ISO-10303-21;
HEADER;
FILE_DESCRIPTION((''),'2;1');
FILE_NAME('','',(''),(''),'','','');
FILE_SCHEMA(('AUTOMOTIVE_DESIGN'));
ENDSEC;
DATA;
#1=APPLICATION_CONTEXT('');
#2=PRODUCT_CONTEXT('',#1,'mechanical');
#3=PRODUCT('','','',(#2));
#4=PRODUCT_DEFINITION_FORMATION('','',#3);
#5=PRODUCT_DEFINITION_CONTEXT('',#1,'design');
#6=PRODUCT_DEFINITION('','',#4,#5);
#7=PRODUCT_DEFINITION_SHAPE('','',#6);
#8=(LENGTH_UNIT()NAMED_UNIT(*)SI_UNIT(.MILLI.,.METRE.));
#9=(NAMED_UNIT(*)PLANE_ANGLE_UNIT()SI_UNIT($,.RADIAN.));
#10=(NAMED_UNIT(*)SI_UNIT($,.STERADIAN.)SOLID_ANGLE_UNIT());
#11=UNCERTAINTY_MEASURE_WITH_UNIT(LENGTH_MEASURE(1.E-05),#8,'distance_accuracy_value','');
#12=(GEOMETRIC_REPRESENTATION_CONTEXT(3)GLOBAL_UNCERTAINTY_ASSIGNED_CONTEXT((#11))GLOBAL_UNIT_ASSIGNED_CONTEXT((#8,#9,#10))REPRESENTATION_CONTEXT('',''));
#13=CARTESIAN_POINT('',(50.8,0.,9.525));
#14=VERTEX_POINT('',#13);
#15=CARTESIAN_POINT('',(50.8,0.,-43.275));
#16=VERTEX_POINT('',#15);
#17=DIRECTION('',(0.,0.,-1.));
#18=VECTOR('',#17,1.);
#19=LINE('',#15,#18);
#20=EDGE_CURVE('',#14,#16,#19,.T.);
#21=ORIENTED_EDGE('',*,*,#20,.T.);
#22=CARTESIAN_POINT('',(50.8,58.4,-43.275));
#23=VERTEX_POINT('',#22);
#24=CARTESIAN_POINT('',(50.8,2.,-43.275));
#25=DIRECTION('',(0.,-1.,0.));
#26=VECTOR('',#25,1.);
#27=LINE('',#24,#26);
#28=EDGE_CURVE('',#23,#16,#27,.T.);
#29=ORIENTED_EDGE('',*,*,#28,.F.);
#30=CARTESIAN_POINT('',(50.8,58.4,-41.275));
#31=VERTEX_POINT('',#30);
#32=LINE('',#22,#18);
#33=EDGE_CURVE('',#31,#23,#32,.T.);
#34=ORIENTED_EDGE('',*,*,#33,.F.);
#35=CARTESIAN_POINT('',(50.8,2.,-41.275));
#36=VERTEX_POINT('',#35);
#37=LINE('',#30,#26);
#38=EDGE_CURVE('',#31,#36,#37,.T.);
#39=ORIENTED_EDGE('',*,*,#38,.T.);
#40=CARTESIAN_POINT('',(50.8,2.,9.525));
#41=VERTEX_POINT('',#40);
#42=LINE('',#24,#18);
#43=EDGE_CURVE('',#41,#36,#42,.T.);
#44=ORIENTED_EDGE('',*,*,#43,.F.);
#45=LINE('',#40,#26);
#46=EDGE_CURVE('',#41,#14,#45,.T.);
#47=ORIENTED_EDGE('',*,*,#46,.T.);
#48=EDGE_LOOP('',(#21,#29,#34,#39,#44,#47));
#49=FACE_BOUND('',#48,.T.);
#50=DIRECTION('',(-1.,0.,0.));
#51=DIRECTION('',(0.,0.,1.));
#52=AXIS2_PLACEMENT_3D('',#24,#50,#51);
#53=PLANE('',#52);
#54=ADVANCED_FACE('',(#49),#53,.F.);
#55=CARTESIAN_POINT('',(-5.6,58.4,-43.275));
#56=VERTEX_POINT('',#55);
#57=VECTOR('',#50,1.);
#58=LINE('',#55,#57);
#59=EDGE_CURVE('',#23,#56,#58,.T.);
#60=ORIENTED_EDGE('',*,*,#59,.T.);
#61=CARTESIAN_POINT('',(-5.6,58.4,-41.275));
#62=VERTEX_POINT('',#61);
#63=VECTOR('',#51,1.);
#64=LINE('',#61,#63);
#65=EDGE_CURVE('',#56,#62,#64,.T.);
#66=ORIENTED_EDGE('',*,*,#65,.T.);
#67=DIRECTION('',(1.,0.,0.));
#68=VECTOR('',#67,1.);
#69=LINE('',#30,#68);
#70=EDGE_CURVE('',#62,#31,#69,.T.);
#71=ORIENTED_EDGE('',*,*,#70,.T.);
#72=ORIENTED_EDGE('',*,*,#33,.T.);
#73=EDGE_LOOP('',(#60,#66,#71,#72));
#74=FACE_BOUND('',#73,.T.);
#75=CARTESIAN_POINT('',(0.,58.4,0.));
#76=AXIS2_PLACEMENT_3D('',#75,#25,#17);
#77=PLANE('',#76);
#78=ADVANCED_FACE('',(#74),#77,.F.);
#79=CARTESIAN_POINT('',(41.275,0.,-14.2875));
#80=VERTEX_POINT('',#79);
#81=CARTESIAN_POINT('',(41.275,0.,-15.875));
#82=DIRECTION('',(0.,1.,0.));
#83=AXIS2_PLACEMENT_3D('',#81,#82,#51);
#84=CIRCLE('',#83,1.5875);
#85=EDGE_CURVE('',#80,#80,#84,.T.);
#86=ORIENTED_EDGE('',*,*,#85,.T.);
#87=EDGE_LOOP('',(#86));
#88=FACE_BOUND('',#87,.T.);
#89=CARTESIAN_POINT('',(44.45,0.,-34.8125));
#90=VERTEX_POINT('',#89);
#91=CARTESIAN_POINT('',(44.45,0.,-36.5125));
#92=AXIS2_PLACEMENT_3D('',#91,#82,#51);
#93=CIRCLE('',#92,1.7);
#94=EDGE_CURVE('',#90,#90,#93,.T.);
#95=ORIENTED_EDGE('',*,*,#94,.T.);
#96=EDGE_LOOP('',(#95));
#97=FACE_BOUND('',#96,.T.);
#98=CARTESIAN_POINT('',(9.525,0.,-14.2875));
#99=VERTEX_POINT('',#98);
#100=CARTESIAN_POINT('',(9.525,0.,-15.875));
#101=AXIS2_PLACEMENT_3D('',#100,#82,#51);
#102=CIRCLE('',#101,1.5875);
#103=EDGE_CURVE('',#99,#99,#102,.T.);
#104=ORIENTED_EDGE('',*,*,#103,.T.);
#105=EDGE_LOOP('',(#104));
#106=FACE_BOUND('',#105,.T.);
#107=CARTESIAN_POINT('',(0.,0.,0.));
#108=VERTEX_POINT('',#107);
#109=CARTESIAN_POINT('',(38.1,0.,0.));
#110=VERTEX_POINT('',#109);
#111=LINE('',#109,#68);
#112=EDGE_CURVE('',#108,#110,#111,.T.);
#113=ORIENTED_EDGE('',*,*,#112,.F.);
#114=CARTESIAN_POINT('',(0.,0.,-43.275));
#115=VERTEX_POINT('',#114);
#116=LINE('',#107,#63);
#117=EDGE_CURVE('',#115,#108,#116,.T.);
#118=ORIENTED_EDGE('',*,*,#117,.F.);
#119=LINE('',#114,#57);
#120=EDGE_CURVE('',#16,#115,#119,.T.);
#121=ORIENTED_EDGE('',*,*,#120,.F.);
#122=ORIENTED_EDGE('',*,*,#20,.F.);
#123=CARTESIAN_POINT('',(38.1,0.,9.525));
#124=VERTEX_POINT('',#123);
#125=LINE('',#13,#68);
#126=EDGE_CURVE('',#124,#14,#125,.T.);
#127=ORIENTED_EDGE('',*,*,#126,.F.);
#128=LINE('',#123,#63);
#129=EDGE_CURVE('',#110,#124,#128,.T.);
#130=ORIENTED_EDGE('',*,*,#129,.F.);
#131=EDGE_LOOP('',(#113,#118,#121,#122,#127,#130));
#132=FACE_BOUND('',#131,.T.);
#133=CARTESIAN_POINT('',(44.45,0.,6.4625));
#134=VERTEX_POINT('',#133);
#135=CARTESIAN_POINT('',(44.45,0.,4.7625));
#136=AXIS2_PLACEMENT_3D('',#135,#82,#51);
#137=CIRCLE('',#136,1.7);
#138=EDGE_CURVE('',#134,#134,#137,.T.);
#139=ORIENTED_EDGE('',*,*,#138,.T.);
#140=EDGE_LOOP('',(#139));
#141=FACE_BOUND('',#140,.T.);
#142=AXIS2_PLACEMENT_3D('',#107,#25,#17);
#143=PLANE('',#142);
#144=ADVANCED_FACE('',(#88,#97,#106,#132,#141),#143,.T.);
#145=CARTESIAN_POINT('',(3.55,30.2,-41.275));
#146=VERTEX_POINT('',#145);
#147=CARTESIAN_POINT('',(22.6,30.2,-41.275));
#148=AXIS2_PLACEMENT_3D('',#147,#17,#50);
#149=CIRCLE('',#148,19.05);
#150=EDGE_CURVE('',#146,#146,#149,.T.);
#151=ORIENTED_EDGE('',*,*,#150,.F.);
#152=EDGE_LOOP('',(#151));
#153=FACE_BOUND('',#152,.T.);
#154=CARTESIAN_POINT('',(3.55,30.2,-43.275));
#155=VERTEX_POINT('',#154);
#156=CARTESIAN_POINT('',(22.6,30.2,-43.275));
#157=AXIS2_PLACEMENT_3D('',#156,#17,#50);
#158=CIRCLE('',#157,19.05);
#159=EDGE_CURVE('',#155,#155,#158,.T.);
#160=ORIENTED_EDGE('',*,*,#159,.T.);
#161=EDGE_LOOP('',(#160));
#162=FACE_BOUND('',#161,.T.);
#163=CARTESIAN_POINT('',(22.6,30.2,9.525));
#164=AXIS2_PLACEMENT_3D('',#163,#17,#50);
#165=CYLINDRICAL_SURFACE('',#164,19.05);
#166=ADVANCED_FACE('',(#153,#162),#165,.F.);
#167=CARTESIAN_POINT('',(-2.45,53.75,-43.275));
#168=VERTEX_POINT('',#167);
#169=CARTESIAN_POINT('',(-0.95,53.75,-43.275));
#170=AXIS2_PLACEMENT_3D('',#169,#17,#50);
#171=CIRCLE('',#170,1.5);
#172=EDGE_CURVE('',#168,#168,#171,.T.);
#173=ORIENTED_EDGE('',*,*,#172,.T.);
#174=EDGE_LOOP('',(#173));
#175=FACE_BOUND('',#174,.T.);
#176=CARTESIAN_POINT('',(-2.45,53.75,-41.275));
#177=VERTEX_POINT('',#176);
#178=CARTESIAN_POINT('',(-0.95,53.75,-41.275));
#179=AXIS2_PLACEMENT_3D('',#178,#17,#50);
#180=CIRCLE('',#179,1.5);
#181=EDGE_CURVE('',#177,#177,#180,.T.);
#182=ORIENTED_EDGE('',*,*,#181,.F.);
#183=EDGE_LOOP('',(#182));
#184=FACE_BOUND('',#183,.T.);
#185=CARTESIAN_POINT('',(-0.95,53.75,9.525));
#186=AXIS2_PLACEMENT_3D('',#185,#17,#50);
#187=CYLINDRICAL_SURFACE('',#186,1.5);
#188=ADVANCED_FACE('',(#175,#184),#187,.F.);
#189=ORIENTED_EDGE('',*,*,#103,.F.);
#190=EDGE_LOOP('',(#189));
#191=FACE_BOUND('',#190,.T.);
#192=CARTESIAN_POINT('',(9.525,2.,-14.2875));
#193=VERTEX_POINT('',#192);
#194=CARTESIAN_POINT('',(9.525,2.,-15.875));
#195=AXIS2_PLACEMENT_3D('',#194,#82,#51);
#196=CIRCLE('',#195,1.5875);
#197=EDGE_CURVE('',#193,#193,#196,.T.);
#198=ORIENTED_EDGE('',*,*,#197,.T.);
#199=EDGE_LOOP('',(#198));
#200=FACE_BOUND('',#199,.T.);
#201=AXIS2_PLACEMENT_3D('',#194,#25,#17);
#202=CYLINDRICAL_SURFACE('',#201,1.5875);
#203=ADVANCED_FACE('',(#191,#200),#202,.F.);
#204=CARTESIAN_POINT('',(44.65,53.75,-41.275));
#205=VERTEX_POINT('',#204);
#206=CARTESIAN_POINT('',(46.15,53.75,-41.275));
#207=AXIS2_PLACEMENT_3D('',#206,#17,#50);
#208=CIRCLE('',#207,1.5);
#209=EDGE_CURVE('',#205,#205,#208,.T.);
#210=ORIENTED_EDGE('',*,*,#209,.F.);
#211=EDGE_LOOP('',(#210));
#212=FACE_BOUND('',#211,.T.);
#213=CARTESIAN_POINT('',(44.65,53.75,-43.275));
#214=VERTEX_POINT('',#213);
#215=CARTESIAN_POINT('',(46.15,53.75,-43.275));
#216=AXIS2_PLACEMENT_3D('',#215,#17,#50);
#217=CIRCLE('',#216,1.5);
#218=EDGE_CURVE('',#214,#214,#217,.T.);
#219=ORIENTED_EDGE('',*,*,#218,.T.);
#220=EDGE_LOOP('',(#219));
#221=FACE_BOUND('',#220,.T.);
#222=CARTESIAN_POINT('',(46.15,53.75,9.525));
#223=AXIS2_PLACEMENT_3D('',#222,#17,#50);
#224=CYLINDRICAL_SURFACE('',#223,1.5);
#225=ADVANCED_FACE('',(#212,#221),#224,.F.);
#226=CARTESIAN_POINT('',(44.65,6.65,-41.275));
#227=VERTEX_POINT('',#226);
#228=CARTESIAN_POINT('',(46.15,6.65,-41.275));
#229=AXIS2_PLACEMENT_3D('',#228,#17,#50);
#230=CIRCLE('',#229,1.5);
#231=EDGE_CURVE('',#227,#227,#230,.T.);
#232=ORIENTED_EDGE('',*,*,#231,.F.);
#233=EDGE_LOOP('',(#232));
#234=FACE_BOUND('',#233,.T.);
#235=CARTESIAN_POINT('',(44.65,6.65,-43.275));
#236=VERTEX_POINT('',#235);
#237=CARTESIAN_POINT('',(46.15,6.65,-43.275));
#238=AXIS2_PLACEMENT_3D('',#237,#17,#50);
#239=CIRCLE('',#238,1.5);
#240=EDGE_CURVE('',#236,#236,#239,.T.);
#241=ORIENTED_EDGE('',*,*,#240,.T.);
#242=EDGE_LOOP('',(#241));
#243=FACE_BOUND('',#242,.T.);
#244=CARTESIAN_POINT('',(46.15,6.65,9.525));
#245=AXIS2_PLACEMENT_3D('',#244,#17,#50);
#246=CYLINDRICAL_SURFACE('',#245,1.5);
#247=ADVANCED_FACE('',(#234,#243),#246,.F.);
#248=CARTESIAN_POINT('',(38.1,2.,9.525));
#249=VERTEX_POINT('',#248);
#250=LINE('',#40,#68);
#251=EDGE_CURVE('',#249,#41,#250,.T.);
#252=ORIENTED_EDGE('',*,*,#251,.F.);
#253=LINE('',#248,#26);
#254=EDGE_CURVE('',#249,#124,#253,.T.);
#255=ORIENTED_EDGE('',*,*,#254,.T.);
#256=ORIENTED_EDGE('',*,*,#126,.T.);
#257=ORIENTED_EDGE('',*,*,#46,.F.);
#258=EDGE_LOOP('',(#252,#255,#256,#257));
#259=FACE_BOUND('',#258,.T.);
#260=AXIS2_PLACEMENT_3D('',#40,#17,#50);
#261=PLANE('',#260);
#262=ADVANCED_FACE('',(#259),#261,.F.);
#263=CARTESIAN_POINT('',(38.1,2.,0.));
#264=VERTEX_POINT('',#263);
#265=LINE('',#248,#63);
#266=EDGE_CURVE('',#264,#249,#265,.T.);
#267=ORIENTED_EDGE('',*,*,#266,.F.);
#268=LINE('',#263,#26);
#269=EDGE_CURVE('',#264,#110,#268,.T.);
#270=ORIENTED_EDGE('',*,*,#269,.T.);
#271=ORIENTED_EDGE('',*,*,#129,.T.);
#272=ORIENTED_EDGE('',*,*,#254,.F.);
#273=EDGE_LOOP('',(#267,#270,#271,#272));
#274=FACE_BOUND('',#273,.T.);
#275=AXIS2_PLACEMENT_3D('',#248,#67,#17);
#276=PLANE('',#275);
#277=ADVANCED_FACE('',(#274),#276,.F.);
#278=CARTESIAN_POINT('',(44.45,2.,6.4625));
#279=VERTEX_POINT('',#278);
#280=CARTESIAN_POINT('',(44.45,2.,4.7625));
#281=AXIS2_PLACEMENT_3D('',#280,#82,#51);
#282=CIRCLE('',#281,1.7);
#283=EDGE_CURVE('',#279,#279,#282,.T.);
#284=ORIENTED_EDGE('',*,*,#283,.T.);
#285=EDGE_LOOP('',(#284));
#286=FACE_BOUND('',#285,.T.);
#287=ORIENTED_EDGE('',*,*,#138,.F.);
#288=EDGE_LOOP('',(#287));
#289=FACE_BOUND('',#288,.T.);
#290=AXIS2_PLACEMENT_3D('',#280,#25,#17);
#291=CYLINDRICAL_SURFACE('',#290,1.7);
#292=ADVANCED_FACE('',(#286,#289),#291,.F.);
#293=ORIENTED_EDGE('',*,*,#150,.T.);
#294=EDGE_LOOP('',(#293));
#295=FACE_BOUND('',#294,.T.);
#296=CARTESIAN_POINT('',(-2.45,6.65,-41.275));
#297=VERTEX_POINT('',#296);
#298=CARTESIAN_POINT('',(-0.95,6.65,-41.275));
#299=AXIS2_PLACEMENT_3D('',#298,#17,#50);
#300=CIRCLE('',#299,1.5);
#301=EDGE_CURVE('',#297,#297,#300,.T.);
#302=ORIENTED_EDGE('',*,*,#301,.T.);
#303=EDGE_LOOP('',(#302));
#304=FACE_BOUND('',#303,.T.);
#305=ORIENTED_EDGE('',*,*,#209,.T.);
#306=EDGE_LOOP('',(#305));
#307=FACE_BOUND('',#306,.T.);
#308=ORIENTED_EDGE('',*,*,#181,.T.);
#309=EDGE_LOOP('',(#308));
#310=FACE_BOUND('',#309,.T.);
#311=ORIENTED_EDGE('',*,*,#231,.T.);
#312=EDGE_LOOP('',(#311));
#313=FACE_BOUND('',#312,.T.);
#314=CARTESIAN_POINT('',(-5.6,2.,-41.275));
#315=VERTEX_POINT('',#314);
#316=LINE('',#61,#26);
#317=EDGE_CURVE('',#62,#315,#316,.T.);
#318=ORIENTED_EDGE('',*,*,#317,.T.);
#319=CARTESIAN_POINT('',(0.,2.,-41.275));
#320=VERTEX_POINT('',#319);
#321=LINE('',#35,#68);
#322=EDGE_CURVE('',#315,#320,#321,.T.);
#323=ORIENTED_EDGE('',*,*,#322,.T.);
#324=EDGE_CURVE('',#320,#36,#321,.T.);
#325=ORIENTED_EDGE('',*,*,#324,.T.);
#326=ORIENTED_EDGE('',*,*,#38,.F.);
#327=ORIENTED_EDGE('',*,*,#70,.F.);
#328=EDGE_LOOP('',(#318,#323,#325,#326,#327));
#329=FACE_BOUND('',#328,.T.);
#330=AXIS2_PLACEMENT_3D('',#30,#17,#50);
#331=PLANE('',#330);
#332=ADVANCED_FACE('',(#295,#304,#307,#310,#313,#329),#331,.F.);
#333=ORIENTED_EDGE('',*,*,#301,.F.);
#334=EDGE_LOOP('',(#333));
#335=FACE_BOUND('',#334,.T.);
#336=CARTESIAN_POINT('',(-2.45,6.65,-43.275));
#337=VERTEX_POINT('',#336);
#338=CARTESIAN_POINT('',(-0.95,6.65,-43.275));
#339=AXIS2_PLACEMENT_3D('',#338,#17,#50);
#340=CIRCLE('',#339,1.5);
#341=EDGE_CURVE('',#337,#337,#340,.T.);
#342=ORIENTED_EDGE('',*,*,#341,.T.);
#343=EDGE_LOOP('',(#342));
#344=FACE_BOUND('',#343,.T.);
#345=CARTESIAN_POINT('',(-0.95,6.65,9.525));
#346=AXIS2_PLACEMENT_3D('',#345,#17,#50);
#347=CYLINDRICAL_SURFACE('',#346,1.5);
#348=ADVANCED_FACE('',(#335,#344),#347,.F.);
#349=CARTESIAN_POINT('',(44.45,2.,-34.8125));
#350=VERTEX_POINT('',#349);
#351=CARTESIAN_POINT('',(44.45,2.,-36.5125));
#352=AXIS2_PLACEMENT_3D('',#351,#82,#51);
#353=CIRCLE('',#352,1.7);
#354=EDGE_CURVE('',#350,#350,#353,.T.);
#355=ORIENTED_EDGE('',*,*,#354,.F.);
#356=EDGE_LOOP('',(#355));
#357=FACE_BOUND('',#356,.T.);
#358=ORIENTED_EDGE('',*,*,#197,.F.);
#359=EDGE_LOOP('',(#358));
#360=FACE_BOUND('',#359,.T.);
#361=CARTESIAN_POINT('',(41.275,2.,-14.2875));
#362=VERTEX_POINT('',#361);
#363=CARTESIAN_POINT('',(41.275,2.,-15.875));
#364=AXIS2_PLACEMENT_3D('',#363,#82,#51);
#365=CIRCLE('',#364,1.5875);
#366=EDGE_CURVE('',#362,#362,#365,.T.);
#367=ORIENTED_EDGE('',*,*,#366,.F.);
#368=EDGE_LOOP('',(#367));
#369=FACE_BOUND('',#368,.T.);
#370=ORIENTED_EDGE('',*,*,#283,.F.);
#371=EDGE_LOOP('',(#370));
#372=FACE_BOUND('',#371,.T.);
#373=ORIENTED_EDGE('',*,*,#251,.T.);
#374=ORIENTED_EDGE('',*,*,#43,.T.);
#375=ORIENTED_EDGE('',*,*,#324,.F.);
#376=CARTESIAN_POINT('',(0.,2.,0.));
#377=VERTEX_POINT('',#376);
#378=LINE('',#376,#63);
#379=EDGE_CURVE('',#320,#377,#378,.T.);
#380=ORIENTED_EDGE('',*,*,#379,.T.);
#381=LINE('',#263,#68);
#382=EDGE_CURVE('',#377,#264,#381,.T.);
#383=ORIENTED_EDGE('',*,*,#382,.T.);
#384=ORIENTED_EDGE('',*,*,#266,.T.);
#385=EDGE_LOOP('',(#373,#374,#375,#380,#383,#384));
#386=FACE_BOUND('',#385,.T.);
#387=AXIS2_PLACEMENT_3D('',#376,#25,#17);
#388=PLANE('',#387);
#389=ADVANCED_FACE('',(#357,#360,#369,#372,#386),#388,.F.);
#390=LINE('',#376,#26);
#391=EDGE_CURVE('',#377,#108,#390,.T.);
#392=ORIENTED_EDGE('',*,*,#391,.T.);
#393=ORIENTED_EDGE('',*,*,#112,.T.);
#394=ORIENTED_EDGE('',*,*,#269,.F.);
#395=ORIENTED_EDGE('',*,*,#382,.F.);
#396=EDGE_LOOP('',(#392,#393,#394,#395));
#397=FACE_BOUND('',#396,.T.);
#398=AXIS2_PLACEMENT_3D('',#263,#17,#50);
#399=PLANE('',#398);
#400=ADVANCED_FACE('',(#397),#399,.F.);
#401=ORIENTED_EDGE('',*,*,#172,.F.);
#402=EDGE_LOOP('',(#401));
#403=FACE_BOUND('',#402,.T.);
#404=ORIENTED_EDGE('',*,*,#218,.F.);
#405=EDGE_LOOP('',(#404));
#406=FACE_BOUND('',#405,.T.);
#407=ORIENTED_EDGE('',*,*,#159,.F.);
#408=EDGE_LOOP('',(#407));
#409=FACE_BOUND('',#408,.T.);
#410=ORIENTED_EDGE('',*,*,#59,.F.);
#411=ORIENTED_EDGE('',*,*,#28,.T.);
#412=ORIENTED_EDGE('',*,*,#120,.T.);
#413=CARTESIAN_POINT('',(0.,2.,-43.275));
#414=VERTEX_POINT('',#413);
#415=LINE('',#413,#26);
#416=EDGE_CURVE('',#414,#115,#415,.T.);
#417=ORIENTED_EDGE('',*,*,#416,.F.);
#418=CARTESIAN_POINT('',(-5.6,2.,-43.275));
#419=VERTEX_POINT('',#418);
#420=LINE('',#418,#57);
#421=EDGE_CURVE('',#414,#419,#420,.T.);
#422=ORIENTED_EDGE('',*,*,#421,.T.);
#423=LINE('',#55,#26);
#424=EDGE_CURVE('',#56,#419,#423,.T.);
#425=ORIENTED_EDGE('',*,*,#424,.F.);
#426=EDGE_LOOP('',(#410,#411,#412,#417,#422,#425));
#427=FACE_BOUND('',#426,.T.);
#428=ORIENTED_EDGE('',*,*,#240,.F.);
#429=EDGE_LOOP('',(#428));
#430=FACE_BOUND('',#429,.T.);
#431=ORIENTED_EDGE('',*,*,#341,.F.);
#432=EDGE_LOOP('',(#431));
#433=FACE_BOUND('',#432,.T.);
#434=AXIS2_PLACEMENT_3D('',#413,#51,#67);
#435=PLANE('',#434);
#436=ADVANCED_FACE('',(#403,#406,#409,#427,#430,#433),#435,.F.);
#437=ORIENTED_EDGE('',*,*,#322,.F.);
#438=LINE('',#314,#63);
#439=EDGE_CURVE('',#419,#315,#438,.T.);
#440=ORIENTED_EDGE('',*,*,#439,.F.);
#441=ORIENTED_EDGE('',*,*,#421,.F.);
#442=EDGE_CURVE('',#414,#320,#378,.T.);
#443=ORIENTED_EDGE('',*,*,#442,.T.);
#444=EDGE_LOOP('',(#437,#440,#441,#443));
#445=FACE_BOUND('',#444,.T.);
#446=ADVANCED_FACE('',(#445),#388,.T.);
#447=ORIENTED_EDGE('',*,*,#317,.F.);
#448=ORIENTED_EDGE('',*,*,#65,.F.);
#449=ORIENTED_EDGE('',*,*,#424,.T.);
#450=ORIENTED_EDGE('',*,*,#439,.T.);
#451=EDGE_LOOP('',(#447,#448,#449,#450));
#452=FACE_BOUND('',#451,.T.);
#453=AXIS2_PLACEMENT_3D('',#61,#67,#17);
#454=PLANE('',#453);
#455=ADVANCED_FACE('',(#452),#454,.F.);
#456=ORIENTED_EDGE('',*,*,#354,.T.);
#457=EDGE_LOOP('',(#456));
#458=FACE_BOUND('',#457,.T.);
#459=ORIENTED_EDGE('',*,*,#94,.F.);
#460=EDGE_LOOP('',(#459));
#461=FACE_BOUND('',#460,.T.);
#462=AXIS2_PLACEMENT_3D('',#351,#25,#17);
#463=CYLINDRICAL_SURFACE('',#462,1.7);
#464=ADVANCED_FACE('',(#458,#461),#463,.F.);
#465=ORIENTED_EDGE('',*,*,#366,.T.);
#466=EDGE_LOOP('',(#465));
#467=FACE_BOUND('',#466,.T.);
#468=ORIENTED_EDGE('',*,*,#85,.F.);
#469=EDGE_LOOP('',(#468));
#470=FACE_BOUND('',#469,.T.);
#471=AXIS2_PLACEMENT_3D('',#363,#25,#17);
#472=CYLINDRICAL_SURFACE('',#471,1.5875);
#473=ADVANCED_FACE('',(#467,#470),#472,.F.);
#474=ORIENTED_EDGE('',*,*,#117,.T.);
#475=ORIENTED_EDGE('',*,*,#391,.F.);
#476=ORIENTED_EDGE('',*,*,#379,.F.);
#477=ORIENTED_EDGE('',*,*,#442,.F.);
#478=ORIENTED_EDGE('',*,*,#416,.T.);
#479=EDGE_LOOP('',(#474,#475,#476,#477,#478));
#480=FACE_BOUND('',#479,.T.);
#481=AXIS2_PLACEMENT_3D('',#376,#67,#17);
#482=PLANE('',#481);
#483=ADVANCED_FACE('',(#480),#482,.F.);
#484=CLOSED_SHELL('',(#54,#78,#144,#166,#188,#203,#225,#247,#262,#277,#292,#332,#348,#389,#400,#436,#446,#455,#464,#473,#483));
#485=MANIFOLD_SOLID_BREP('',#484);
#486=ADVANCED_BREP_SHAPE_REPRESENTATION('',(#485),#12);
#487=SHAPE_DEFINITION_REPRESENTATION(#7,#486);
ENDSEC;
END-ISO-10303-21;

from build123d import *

# Parameters (mm, degrees)
SKETCH1_R           = 1.7
SKETCH1_R_2         = 1.5875
BOSS_EXTRUDE1_DEPTH = 2
SKETCH2_W           = 56.4
SKETCH2_H           = 2
BOSS_EXTRUDE2_DEPTH = 56.4
SKETCH3_R           = 19.05
SKETCH3_R_2         = 1.5
CUT_EXTRUDE1_DEPTH  = 94.696531419


with BuildPart() as part:
    # Sketch1 → Boss-Extrude1 (new body)
    with BuildSketch(Plane(origin=(0, 0, 0), x_dir=(1, 0, 0), z_dir=(0, 1, 0))):
        Polygon((0, 43.275), (50.8, 43.275), (50.8, -9.525), (38.1, -9.525), (38.1, 0), (0, 0), align=None)
        with Locations(Location((44.45, 36.5125, 0), (0, 0, 270))):
            Circle(SKETCH1_R, mode=Mode.SUBTRACT)
        with Locations(Location((44.45, -4.7625, 0), (0, 0, 270))):
            Circle(SKETCH1_R, mode=Mode.SUBTRACT)
        with Locations(Location((9.525, 15.875, 0), (0, 0, 270))):
            Circle(SKETCH1_R_2, mode=Mode.SUBTRACT)
        with Locations(Location((41.275, 15.875, 0), (0, 0, 270))):
            Circle(SKETCH1_R_2, mode=Mode.SUBTRACT)
    extrude(amount=BOSS_EXTRUDE1_DEPTH)

    # Sketch2 → Boss-Extrude2 (add)
    with BuildSketch(Plane(origin=(0, 2, 0), x_dir=(1, 0, 0), z_dir=(0, 1, 0))):
        with Locations((22.6, 42.275)):
            Rectangle(SKETCH2_W, SKETCH2_H)
    extrude(amount=BOSS_EXTRUDE2_DEPTH)

    # Sketch3 → Cut-Extrude1 (cut, through all)
    with BuildSketch(Plane(origin=(0, 0, -43.275), x_dir=(-1, 0, 0), z_dir=(0, 0, -1))):
        with Locations((-22.6, 30.2)):
            Circle(SKETCH3_R)
        with Locations((0.95, 53.75)):
            Circle(SKETCH3_R_2)
        with Locations((0.95, 6.65)):
            Circle(SKETCH3_R_2)
        with Locations((-46.15, 6.65)):
            Circle(SKETCH3_R_2)
        with Locations((-46.15, 53.75)):
            Circle(SKETCH3_R_2)
    extrude(amount=-CUT_EXTRUDE1_DEPTH, mode=Mode.SUBTRACT)


solid = part.part
